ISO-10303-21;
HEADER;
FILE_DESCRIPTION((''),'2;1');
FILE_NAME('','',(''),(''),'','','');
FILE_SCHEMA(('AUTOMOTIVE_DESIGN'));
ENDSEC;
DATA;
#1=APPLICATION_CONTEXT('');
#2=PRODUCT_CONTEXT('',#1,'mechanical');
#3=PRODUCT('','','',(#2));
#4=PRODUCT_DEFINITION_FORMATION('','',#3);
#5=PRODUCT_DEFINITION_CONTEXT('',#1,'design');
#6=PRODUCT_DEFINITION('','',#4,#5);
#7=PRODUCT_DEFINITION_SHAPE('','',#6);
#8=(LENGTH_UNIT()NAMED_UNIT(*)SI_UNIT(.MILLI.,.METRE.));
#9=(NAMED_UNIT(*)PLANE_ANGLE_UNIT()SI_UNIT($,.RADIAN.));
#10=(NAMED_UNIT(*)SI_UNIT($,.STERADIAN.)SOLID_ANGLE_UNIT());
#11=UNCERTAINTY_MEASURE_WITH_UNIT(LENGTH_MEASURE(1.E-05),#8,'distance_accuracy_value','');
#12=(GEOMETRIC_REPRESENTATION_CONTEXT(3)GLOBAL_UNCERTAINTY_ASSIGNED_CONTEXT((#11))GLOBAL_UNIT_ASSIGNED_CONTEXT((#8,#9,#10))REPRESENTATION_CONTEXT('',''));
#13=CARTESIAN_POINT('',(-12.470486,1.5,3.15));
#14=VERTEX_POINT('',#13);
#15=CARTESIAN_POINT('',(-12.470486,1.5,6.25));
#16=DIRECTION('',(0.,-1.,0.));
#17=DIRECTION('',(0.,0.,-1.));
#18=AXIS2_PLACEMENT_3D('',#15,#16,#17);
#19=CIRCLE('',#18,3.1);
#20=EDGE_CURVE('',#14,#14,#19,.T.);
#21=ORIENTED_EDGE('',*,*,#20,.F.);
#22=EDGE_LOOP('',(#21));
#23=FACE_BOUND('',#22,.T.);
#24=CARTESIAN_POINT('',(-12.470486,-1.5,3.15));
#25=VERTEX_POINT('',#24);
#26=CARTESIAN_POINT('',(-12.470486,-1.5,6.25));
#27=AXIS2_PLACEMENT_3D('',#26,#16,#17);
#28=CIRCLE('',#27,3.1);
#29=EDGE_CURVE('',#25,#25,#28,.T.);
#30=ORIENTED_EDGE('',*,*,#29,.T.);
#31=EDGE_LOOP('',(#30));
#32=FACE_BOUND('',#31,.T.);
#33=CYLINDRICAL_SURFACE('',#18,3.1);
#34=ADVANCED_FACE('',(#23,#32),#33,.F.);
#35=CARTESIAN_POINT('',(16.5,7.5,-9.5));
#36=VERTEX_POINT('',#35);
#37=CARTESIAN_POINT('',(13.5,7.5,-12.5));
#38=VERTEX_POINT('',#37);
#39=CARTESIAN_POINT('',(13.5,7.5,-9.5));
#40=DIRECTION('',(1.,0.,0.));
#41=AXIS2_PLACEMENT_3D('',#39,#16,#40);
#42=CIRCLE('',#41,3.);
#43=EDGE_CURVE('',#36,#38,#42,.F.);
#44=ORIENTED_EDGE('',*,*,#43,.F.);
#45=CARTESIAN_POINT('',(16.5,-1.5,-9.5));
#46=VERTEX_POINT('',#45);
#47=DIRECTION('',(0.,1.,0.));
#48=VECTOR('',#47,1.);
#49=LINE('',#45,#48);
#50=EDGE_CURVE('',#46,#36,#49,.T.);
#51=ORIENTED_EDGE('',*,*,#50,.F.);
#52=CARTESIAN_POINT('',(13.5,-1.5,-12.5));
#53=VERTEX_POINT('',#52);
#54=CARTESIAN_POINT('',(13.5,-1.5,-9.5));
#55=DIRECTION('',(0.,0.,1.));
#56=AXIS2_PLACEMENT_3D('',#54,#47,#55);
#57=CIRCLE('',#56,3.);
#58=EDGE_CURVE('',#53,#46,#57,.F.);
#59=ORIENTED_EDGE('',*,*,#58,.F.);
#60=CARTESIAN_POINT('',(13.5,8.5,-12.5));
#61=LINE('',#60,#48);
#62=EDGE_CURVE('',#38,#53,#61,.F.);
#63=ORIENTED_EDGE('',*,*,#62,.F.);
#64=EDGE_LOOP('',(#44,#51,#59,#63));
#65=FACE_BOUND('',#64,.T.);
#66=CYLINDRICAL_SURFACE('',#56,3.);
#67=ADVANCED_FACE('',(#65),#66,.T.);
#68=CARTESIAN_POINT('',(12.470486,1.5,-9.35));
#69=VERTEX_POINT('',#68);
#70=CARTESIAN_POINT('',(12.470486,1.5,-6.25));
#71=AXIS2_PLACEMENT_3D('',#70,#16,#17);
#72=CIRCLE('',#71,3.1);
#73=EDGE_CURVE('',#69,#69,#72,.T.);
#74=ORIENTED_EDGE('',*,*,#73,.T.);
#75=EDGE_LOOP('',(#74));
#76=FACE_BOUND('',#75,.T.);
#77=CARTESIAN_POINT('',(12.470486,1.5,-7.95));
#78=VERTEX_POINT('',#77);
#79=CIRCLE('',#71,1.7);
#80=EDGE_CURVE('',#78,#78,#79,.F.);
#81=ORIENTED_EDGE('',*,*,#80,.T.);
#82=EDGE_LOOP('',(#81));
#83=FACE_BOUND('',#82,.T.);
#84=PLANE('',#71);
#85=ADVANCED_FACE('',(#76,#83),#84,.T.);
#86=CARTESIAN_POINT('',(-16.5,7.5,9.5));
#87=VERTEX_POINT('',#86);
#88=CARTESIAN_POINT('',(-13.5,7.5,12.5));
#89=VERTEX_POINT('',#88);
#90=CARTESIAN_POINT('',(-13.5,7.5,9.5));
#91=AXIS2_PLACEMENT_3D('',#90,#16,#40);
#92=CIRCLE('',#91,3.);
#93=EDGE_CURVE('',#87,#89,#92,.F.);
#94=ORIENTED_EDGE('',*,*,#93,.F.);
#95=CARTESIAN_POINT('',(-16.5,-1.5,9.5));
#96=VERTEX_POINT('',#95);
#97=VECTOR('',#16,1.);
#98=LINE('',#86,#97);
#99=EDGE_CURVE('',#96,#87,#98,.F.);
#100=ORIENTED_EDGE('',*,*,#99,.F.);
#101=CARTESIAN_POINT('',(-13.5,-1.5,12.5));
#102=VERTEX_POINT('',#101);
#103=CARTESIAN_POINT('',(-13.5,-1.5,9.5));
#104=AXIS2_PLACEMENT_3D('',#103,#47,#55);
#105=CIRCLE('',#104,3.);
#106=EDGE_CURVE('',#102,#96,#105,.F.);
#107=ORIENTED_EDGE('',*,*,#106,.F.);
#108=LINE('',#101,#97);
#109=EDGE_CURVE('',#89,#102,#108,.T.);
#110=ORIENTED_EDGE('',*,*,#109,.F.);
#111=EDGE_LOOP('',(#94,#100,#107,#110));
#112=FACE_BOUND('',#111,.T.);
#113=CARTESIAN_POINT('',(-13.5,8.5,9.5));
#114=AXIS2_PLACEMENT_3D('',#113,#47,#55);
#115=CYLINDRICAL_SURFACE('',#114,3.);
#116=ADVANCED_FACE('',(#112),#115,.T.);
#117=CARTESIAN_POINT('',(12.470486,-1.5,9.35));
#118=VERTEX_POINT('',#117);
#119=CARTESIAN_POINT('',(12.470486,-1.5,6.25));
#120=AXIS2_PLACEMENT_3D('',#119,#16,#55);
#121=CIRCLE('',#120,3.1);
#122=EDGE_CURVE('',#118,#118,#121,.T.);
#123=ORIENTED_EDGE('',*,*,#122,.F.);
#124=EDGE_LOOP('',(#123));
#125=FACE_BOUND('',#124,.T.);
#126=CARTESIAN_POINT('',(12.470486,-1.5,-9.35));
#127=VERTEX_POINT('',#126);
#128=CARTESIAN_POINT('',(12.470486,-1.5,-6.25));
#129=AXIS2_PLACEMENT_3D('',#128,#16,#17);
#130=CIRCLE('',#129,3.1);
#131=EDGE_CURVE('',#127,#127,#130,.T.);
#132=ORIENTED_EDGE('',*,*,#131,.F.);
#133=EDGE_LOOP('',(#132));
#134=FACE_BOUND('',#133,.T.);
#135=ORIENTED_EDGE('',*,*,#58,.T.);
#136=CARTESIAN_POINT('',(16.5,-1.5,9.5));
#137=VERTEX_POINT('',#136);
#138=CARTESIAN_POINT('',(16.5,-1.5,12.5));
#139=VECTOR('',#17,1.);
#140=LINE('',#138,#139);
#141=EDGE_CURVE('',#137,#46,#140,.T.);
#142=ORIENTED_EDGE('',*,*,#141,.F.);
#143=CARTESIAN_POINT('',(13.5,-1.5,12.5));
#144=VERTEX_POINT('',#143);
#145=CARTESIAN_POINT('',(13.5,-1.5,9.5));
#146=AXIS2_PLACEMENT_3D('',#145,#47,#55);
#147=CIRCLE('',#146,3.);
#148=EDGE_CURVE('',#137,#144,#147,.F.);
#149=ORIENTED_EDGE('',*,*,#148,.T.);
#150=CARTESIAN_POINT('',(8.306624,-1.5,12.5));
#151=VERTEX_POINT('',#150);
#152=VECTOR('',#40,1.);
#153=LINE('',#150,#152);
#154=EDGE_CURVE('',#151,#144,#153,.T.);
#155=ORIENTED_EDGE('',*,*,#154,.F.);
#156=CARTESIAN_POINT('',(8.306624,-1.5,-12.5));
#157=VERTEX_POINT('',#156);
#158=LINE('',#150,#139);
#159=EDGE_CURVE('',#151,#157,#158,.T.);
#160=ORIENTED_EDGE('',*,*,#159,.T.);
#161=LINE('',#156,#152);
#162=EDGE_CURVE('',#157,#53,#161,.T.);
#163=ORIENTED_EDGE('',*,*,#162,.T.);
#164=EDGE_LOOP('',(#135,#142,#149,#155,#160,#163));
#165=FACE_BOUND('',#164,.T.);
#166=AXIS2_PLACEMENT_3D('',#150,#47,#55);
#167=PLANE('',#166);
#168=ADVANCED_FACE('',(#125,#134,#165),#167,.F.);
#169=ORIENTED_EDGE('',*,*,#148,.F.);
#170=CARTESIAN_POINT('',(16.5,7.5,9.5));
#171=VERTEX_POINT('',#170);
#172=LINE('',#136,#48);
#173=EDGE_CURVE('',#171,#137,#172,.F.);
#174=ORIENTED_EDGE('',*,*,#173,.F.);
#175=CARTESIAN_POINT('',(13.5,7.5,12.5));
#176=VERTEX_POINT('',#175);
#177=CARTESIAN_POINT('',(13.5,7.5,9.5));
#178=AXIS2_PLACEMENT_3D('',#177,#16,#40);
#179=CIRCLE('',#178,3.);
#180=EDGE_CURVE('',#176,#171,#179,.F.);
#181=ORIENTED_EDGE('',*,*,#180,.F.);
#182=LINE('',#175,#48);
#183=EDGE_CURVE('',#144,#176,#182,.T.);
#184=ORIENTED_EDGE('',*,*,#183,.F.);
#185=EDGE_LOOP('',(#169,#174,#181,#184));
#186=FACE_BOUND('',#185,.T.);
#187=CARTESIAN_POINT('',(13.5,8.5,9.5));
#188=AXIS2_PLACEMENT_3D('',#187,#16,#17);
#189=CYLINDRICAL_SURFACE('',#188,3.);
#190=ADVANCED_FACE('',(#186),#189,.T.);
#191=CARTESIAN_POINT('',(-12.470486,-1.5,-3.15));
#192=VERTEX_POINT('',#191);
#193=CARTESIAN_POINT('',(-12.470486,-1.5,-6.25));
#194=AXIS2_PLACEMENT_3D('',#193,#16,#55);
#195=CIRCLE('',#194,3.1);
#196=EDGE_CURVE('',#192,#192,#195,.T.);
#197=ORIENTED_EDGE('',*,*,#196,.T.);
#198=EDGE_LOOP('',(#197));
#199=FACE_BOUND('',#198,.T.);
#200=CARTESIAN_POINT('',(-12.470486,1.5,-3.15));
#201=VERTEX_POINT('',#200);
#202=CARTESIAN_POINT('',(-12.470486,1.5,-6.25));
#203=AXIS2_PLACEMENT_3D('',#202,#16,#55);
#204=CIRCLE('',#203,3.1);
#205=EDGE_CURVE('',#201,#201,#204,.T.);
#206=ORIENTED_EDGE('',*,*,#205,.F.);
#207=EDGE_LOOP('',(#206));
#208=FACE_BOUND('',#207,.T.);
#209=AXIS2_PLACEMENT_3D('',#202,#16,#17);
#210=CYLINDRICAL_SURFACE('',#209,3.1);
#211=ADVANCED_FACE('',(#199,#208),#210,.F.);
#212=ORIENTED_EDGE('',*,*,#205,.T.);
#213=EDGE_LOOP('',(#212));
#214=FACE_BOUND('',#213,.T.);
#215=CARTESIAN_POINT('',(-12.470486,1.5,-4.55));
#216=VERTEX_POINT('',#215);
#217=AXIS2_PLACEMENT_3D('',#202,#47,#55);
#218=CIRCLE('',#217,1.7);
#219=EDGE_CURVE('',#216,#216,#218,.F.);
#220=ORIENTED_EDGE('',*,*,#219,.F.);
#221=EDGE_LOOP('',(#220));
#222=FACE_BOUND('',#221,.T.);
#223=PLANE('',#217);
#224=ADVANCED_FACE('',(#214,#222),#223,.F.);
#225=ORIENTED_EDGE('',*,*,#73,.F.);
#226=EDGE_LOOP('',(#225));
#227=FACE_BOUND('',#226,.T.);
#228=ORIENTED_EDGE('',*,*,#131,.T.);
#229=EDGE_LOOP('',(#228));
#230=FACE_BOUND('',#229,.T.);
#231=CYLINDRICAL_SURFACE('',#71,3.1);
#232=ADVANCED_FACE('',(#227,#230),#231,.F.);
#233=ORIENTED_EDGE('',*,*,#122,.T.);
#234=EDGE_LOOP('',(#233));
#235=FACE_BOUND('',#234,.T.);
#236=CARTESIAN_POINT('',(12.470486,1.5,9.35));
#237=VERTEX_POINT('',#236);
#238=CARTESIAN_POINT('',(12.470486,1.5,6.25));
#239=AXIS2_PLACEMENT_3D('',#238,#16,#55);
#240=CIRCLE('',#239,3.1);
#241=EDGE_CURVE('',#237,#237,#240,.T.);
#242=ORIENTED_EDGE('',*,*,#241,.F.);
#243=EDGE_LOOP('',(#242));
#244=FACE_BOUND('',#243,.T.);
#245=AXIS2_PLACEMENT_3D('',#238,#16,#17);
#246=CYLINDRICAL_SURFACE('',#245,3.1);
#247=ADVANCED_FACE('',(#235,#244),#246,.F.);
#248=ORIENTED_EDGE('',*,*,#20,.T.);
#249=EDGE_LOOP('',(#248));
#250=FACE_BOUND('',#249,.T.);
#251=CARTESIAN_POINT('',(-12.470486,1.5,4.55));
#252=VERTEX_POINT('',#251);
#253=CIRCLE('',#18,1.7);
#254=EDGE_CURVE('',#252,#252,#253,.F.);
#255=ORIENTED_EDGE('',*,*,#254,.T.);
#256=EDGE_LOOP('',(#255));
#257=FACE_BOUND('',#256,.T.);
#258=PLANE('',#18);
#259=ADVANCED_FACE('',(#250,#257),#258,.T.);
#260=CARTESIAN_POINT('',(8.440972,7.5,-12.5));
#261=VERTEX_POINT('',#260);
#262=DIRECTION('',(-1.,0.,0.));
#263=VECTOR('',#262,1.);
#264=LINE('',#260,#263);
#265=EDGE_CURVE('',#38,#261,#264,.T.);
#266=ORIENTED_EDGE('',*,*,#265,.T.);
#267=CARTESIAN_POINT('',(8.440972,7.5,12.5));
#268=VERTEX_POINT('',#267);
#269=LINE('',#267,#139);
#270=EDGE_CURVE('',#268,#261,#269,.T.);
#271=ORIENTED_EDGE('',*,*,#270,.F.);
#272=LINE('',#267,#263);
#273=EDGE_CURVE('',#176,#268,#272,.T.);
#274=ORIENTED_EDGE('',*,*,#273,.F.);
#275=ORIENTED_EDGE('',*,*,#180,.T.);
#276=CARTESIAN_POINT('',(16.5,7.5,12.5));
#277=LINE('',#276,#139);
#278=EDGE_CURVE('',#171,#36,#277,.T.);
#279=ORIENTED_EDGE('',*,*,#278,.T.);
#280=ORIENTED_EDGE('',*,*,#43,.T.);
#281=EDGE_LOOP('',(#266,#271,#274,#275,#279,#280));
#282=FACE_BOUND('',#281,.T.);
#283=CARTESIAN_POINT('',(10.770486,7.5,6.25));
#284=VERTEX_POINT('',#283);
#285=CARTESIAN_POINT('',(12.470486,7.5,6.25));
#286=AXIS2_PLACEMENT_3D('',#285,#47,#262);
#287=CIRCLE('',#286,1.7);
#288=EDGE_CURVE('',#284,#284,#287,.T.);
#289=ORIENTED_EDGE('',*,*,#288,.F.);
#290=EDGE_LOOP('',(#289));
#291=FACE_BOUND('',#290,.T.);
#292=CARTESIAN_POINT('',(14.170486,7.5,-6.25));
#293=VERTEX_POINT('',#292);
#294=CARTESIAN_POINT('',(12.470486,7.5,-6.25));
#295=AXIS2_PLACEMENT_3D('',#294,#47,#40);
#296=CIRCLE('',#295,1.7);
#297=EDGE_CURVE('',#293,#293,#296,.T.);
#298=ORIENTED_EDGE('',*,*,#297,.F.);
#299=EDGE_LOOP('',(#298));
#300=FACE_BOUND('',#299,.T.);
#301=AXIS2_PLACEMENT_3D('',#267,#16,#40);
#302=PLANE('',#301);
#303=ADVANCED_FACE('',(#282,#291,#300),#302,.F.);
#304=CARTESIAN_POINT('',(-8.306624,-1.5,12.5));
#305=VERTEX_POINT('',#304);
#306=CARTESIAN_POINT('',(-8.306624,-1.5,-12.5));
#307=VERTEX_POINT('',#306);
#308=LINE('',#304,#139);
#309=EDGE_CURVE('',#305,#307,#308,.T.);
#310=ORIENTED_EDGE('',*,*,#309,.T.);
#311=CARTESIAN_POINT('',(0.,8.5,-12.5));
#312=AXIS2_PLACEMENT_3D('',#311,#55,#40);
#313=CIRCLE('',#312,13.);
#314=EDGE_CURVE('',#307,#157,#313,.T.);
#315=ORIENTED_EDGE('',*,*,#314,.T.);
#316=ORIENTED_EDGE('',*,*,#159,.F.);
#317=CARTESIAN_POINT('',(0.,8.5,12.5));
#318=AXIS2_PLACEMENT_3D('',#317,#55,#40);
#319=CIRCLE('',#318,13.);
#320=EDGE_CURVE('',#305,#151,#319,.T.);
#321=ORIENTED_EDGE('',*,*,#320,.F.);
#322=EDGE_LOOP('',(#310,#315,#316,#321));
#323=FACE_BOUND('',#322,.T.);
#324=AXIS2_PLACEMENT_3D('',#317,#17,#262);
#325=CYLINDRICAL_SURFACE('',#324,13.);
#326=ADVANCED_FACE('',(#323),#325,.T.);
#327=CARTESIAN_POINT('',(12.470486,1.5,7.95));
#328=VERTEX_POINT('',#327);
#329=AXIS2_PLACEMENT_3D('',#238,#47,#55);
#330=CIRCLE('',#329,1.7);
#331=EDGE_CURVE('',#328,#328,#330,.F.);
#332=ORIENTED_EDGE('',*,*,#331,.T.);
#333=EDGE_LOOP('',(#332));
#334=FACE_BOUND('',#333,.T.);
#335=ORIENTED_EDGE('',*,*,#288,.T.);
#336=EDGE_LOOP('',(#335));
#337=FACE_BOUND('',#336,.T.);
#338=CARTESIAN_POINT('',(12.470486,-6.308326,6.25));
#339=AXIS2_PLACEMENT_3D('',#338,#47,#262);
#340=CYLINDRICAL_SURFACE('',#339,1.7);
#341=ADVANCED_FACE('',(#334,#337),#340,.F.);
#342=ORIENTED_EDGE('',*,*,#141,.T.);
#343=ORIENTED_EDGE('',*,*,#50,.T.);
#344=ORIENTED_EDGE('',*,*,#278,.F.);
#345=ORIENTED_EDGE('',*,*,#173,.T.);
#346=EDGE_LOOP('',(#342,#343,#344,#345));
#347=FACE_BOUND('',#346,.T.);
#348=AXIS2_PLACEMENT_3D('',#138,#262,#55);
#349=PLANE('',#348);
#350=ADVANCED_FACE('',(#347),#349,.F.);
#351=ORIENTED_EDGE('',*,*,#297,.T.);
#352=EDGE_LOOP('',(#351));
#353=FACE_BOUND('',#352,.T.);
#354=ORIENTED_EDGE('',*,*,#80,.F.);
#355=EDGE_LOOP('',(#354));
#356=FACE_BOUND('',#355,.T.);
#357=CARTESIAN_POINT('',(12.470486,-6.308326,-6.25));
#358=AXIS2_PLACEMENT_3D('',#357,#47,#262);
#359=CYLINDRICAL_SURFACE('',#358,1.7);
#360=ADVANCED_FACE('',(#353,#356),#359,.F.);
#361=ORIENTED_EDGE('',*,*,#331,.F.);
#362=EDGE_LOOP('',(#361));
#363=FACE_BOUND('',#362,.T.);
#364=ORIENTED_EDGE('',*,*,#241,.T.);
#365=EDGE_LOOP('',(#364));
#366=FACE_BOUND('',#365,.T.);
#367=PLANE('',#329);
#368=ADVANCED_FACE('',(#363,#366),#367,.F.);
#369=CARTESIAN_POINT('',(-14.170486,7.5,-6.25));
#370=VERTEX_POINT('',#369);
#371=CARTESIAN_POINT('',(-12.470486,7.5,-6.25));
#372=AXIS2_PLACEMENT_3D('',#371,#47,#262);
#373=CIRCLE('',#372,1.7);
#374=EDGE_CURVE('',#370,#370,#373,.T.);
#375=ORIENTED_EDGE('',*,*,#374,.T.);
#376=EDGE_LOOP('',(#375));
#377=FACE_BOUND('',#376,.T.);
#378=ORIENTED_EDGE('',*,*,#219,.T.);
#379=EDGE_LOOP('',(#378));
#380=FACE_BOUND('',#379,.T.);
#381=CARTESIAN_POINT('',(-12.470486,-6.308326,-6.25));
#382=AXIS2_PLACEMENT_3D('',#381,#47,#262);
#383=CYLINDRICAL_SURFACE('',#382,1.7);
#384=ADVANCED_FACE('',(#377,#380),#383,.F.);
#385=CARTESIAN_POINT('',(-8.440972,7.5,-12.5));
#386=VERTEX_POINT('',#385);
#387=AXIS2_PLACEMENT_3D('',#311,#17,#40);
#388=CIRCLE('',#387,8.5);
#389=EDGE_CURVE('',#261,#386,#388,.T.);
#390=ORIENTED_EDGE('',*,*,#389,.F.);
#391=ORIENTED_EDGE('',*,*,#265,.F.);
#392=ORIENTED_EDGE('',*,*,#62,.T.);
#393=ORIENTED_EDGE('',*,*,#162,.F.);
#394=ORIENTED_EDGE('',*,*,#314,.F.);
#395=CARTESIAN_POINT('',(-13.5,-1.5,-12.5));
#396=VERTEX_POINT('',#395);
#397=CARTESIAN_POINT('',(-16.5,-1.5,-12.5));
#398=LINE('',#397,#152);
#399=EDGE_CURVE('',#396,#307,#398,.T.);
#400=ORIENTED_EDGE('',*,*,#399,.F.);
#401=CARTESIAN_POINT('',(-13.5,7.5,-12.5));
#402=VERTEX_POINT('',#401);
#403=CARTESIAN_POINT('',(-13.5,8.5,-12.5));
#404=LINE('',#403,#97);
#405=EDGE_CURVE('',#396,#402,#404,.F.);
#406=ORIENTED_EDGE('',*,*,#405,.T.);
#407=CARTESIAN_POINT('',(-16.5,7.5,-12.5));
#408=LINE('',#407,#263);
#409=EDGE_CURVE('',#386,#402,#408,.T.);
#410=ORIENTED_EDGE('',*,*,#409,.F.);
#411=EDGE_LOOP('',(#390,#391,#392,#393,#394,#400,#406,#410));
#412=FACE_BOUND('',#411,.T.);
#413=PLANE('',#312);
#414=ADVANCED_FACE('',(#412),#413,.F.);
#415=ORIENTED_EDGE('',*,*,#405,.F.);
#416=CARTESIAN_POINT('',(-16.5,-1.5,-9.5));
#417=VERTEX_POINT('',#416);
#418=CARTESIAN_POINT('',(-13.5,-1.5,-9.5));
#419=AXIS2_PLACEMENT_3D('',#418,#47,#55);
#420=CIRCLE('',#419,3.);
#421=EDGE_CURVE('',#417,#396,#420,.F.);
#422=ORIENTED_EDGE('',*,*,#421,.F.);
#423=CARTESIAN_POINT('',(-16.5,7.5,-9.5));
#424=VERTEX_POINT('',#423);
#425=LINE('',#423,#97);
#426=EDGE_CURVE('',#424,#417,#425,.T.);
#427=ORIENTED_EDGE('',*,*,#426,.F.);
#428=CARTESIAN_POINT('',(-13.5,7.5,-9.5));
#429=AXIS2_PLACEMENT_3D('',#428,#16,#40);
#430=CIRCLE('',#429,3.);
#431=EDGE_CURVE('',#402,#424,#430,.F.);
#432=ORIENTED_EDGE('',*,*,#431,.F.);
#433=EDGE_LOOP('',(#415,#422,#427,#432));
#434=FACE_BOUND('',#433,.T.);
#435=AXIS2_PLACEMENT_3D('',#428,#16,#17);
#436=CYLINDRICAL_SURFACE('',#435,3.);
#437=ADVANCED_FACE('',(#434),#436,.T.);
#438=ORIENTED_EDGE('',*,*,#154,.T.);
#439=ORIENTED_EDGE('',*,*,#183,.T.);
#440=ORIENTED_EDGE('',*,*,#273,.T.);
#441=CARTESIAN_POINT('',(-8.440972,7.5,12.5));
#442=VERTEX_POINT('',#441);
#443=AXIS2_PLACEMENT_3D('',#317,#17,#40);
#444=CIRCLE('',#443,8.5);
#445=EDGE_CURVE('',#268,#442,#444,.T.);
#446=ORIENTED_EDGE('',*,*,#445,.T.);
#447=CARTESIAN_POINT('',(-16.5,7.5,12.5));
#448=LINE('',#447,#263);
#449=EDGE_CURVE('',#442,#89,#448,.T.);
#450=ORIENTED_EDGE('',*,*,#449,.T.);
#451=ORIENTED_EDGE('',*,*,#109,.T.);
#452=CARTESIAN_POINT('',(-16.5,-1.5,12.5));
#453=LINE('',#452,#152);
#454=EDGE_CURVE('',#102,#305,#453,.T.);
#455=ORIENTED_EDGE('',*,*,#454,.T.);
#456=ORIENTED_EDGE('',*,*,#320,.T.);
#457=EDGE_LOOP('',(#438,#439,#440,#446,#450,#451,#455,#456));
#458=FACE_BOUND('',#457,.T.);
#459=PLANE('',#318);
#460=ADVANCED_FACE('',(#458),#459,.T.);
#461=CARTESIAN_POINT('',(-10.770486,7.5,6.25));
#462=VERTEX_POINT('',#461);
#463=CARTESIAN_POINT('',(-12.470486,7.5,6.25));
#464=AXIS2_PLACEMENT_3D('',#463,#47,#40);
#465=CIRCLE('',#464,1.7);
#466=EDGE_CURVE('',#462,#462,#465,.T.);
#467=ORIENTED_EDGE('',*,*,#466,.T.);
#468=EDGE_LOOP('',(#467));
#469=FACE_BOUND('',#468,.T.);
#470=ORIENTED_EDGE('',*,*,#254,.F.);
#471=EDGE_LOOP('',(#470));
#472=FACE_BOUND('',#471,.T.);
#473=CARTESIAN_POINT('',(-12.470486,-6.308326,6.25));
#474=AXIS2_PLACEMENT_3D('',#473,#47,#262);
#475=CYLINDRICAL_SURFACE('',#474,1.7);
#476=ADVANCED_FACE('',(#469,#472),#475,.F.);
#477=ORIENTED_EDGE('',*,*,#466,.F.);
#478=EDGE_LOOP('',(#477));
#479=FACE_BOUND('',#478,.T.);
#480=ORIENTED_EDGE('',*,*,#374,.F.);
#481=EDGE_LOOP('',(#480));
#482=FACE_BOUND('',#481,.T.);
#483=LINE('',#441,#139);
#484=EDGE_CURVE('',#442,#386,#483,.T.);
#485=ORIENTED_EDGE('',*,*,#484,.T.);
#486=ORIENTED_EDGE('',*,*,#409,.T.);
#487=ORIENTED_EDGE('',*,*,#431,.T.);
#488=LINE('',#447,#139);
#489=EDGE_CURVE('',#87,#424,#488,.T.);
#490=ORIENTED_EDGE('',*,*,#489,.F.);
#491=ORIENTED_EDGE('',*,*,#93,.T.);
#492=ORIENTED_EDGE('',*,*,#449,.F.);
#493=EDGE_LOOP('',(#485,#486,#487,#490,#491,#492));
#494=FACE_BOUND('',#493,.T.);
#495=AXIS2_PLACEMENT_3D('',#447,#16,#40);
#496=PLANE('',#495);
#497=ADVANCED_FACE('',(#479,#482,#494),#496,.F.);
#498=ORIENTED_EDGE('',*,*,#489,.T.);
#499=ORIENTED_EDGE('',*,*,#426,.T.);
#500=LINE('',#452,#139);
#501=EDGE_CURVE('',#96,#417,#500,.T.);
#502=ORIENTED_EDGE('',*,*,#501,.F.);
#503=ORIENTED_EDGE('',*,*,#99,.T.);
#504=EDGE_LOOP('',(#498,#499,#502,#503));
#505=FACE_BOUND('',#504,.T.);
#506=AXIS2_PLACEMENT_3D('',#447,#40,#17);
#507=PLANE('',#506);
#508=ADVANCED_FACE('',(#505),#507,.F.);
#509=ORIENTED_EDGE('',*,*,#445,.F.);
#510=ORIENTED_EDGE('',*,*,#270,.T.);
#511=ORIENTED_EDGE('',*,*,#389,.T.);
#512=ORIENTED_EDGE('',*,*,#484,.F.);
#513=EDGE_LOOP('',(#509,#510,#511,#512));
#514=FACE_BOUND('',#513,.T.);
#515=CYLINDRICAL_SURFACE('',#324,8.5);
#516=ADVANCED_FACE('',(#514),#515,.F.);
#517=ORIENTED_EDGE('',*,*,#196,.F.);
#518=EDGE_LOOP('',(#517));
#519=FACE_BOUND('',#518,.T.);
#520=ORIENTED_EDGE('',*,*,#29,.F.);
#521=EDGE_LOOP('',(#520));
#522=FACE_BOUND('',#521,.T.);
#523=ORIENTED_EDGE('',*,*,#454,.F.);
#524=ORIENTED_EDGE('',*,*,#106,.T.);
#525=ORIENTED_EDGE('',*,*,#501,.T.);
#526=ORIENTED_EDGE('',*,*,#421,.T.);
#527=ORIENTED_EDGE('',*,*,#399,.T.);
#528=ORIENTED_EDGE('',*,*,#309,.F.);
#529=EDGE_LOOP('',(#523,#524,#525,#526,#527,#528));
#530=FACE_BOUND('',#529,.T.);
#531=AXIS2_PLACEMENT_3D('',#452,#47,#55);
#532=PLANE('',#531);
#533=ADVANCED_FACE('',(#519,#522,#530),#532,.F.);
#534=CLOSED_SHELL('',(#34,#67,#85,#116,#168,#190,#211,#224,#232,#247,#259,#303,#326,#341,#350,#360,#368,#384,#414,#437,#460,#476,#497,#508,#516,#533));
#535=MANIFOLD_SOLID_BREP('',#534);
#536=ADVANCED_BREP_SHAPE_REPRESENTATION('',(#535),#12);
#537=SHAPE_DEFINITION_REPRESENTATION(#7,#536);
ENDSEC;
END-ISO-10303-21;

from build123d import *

# Parameters (mm, degrees)
SALIENTE_EXTRUIR1_DEPTH = 12.5
CROQUIS2_R              = 1.7
CORTAR_EXTRUIR1_DEPTH   = 9
CROQUIS6_R              = 3.1
CORTAR_EXTRUIR4_DEPTH   = 3
REDONDEO1_R             = 3


with BuildPart() as part:
    # Croquis1 → Saliente-Extruir1 (new body, symmetric)
    with BuildSketch(Plane.XY):
        with BuildLine():
            Line((-16.5, 7.5), (-8.440971508, 7.5))
            ThreePointArc((-8.440971508, 7.5), (0, 0), (8.440971508, 7.5))
            Line((8.440971508, 7.5), (16.5, 7.5))
            Line((16.5, 7.5), (16.5, -1.5))
            Line((16.5, -1.5), (8.306623863, -1.5))
            ThreePointArc((8.306623863, -1.5), (0, -4.5), (-8.306623863, -1.5))
            Line((-8.306623863, -1.5), (-16.5, -1.5))
            Line((-16.5, -1.5), (-16.5, 7.5))
        make_face()
    extrude(amount=SALIENTE_EXTRUIR1_DEPTH, both=True)

    # Croquis2 → Cortar-Extruir1 (cut)
    with BuildSketch(Plane(origin=(0, 7.5, 0), x_dir=(1, 0, 0), z_dir=(0, 1, 0))):
        with Locations((-12.470485754, 6.25)):
            Circle(CROQUIS2_R)
        with Locations((12.470485754, 6.25)):
            Circle(CROQUIS2_R)
        with Locations((12.470485754, -6.25)):
            Circle(CROQUIS2_R)
        with Locations((-12.470485754, -6.25)):
            Circle(CROQUIS2_R)
    extrude(amount=-CORTAR_EXTRUIR1_DEPTH, mode=Mode.SUBTRACT)

    # Croquis6 → Cortar-Extruir4 (cut)
    with BuildSketch(Plane.XZ.offset(1.5)):
        with Locations((-12.470485754, 6.25)):
            Circle(CROQUIS6_R)
        with Locations((12.470485754, 6.25)):
            Circle(CROQUIS6_R)
        with Locations((12.470485754, -6.25)):
            Circle(CROQUIS6_R)
        with Locations((-12.470485754, -6.25)):
            Circle(CROQUIS6_R)
    extrude(amount=-CORTAR_EXTRUIR4_DEPTH, mode=Mode.SUBTRACT)

    # Redondeo1
    redondeo1_edges = [part.edges().sort_by_distance(p)[0] for p in [
        (16.5, 3, -12.5),
        (-16.5, 3, 12.5),
        (16.5, 3, 12.5),
        (-16.5, 3, -12.5),
    ]]
    fillet(redondeo1_edges, radius=REDONDEO1_R)


solid = part.part
